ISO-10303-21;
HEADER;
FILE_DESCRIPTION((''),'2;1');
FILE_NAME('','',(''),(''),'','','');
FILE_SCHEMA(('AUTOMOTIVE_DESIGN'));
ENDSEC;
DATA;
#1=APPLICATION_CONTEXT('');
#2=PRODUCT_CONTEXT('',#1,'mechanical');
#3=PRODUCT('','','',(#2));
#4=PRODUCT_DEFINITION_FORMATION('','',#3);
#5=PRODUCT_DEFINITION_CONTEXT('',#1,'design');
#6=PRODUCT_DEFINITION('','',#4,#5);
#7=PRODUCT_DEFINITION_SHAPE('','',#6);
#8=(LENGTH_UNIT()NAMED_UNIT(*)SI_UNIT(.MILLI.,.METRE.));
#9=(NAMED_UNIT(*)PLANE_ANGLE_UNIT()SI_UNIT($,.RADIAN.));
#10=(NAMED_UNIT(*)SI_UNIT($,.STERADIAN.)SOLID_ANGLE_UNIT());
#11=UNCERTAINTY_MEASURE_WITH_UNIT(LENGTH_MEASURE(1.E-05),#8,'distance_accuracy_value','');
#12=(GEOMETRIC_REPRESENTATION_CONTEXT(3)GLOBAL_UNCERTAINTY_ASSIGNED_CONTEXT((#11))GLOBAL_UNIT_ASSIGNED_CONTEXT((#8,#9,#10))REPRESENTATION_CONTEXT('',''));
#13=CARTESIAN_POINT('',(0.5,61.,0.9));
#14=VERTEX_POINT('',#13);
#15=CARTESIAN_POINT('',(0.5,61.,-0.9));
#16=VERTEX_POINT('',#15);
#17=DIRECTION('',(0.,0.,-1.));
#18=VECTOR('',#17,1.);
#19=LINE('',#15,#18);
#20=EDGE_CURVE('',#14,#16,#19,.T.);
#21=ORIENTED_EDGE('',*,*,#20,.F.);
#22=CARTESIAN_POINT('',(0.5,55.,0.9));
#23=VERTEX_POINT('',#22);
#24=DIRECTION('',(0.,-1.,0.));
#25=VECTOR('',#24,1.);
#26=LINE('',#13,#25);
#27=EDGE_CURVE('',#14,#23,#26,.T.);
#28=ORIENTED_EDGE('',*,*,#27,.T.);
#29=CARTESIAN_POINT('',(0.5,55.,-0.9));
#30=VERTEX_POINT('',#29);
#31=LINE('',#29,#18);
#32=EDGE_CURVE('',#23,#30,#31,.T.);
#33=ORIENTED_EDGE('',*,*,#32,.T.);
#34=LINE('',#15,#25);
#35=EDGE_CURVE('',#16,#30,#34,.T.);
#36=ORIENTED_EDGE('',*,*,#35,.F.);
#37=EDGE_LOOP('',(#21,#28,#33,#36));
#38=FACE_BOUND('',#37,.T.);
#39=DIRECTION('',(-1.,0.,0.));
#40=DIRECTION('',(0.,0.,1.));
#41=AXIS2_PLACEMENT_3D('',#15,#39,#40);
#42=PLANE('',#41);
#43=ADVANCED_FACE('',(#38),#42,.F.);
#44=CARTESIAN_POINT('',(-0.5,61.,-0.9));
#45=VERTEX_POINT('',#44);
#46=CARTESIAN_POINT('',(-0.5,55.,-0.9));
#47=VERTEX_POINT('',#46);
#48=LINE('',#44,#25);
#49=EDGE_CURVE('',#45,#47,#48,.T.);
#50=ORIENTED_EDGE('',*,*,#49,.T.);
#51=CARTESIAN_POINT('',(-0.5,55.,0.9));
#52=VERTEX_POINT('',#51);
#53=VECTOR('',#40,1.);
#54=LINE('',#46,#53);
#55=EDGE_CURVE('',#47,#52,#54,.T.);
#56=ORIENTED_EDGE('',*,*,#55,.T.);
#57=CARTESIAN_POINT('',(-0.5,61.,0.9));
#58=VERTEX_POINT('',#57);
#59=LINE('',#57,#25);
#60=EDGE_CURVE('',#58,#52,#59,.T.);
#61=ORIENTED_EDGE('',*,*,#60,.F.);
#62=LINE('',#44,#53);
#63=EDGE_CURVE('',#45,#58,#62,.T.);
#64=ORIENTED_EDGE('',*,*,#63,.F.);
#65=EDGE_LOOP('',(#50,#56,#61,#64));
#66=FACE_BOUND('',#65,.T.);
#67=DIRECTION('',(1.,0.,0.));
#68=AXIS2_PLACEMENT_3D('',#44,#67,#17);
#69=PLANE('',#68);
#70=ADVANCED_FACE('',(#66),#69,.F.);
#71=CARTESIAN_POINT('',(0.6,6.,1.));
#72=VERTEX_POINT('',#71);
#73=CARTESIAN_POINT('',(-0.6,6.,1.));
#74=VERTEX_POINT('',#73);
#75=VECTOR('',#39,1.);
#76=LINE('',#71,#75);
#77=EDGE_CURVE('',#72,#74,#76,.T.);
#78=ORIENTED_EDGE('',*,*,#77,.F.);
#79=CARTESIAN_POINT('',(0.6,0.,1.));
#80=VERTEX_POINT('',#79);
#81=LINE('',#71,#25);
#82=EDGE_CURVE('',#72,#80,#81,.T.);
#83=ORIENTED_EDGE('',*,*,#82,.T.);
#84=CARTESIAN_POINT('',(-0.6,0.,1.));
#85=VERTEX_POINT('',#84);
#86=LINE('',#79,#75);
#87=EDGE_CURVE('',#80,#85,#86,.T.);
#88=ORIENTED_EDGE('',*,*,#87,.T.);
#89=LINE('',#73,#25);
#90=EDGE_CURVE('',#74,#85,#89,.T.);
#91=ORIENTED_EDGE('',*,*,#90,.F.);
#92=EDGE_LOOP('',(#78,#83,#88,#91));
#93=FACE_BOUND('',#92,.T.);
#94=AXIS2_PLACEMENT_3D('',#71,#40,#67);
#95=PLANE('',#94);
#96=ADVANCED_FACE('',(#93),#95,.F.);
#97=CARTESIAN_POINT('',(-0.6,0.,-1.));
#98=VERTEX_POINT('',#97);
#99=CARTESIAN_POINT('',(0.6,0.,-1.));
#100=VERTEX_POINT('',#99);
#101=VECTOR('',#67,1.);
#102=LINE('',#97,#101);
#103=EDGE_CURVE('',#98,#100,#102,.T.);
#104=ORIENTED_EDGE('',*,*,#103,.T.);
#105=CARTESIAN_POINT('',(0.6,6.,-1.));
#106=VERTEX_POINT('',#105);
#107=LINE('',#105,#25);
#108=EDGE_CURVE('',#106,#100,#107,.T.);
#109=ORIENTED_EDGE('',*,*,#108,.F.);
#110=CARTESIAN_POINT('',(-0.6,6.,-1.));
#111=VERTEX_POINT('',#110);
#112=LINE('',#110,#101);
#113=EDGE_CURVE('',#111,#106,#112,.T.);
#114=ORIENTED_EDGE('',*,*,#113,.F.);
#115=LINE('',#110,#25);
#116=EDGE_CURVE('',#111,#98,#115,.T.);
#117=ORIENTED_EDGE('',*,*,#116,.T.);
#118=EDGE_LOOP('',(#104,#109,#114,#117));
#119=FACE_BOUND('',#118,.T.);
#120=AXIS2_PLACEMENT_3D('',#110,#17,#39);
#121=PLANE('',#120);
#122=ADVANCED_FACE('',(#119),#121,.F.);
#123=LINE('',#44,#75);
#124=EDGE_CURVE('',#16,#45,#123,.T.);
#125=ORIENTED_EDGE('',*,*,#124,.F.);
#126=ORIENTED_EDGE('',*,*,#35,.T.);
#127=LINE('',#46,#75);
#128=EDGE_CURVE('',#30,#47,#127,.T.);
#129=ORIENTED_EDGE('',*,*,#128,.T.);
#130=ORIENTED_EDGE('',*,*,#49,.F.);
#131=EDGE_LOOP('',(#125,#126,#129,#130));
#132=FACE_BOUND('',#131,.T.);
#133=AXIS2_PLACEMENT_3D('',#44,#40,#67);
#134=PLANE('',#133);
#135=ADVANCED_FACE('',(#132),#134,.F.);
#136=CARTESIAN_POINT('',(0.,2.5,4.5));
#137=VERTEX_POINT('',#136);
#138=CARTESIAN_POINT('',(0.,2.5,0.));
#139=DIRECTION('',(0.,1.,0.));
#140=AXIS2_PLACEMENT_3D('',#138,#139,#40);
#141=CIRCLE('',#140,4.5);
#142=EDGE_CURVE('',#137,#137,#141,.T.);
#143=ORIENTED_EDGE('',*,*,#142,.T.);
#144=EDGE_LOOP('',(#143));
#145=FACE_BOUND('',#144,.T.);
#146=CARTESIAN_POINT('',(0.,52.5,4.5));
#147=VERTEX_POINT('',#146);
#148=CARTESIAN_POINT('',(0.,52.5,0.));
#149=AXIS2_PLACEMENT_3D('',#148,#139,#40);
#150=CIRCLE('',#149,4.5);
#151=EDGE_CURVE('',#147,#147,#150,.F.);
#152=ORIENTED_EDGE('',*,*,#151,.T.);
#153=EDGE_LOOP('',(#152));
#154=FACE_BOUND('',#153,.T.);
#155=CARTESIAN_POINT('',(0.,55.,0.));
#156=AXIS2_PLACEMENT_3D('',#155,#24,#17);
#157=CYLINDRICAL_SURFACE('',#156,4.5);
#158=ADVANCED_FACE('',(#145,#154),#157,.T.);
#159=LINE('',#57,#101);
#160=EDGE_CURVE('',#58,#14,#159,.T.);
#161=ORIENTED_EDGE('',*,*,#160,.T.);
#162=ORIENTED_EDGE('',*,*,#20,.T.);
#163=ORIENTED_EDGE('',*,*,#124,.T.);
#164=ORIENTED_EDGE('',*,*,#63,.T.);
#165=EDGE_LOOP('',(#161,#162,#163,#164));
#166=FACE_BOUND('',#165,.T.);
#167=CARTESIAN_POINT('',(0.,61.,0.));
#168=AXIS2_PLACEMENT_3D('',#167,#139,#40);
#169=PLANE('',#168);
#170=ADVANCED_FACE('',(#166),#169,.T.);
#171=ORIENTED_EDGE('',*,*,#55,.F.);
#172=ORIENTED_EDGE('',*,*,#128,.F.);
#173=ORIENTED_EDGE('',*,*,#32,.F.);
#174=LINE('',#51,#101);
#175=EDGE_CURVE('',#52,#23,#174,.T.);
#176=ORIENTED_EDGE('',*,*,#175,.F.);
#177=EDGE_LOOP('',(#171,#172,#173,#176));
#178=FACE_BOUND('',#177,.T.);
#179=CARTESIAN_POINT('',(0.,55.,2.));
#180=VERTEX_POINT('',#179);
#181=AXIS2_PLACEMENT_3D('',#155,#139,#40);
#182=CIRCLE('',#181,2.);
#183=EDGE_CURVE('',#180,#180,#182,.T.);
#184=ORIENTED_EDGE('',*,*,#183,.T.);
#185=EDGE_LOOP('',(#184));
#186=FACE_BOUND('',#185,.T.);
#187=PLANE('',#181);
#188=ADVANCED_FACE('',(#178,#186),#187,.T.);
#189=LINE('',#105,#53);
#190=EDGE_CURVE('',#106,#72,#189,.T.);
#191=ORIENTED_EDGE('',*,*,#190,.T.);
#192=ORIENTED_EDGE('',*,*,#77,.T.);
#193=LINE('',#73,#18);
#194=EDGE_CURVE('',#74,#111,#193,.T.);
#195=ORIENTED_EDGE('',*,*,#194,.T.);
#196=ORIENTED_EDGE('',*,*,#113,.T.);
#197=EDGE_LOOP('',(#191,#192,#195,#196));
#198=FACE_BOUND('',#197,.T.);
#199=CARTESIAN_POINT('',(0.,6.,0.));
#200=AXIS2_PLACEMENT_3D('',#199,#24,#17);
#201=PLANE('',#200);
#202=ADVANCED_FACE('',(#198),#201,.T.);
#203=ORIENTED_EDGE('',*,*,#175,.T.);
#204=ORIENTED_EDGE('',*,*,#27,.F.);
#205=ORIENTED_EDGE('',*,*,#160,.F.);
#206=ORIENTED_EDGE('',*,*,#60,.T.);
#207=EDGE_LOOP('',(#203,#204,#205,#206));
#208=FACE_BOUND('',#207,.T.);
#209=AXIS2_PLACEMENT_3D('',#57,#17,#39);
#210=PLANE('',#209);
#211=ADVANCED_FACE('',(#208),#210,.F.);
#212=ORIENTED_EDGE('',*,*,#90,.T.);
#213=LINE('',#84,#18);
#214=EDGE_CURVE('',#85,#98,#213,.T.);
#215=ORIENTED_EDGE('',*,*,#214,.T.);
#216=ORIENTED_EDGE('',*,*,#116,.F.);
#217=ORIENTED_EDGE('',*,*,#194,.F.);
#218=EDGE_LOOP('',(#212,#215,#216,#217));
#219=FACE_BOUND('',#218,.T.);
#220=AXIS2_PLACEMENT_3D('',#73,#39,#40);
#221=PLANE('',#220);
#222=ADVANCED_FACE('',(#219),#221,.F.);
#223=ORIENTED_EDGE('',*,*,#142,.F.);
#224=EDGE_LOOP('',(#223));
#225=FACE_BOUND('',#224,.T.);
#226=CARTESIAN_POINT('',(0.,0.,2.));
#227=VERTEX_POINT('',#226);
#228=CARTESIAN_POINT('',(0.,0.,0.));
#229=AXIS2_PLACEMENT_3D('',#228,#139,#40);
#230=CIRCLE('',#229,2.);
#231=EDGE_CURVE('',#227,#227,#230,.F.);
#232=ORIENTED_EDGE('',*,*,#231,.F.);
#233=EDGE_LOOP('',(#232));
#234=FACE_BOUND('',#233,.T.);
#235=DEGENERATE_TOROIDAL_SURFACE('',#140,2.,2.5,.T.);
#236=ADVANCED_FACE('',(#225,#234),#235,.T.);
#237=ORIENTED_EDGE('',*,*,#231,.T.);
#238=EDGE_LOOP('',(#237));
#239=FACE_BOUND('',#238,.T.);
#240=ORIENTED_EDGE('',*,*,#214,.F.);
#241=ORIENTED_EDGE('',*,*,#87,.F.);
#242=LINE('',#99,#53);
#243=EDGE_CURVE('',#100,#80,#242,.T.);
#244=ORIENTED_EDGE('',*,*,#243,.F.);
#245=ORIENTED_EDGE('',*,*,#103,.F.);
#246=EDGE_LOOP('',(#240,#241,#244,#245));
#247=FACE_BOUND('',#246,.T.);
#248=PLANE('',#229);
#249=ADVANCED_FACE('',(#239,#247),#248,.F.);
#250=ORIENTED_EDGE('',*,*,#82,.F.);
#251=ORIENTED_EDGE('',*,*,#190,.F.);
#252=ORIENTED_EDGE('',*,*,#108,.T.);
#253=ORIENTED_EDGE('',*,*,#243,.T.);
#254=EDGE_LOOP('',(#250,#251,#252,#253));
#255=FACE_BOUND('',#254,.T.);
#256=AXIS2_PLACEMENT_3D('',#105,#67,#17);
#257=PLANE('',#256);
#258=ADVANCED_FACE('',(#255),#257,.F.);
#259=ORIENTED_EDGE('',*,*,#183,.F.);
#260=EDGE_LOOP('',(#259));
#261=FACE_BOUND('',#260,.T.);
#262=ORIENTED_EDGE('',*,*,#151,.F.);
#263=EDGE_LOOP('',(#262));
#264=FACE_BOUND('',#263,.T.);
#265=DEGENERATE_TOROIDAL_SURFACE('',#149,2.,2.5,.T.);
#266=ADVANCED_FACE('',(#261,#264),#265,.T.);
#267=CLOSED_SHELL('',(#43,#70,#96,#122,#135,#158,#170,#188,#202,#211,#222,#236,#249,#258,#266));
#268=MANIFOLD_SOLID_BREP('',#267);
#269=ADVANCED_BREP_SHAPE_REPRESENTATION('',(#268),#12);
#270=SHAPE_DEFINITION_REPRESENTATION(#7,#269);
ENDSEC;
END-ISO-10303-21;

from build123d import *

# Parameters (mm, degrees)
SKETCH1_R           = 4.5
BOSS_EXTRUDE1_DEPTH = 55
SKETCH2_W           = 1
SKETCH2_H           = 1.8
BOSS_EXTRUDE2_DEPTH = 6
SKETCH3_W           = 1.2
SKETCH3_H           = 2
CUT_EXTRUDE1_DEPTH  = 6
FILLET1_R           = 2.5


with BuildPart() as part:
    # Sketch1 → Boss-Extrude1 (new body)
    with BuildSketch(Plane(origin=(0, 0, 0), x_dir=(1, 0, 0), z_dir=(0, 1, 0))):
        with Locations(Location((0, 0, 0), (0, 0, 270))):
            Circle(SKETCH1_R)
    extrude(amount=BOSS_EXTRUDE1_DEPTH)

    # Sketch2 → Boss-Extrude2 (add)
    with BuildSketch(Plane(origin=(0, 55, 0), x_dir=(1, 0, 0), z_dir=(0, 1, 0))):
        Rectangle(SKETCH2_W, SKETCH2_H)
    extrude(amount=BOSS_EXTRUDE2_DEPTH)

    # Sketch3 → Cut-Extrude1 (cut)
    with BuildSketch(Plane.XZ):
        Rectangle(SKETCH3_W, SKETCH3_H)
    extrude(amount=-CUT_EXTRUDE1_DEPTH, mode=Mode.SUBTRACT)

    # Fillet1
    fillet1_edges = [part.edges().sort_by_distance(p)[0] for p in [
        (0, 0, -4.5),
        (0, 55, -4.5),
    ]]
    fillet(fillet1_edges, radius=FILLET1_R)


solid = part.part
